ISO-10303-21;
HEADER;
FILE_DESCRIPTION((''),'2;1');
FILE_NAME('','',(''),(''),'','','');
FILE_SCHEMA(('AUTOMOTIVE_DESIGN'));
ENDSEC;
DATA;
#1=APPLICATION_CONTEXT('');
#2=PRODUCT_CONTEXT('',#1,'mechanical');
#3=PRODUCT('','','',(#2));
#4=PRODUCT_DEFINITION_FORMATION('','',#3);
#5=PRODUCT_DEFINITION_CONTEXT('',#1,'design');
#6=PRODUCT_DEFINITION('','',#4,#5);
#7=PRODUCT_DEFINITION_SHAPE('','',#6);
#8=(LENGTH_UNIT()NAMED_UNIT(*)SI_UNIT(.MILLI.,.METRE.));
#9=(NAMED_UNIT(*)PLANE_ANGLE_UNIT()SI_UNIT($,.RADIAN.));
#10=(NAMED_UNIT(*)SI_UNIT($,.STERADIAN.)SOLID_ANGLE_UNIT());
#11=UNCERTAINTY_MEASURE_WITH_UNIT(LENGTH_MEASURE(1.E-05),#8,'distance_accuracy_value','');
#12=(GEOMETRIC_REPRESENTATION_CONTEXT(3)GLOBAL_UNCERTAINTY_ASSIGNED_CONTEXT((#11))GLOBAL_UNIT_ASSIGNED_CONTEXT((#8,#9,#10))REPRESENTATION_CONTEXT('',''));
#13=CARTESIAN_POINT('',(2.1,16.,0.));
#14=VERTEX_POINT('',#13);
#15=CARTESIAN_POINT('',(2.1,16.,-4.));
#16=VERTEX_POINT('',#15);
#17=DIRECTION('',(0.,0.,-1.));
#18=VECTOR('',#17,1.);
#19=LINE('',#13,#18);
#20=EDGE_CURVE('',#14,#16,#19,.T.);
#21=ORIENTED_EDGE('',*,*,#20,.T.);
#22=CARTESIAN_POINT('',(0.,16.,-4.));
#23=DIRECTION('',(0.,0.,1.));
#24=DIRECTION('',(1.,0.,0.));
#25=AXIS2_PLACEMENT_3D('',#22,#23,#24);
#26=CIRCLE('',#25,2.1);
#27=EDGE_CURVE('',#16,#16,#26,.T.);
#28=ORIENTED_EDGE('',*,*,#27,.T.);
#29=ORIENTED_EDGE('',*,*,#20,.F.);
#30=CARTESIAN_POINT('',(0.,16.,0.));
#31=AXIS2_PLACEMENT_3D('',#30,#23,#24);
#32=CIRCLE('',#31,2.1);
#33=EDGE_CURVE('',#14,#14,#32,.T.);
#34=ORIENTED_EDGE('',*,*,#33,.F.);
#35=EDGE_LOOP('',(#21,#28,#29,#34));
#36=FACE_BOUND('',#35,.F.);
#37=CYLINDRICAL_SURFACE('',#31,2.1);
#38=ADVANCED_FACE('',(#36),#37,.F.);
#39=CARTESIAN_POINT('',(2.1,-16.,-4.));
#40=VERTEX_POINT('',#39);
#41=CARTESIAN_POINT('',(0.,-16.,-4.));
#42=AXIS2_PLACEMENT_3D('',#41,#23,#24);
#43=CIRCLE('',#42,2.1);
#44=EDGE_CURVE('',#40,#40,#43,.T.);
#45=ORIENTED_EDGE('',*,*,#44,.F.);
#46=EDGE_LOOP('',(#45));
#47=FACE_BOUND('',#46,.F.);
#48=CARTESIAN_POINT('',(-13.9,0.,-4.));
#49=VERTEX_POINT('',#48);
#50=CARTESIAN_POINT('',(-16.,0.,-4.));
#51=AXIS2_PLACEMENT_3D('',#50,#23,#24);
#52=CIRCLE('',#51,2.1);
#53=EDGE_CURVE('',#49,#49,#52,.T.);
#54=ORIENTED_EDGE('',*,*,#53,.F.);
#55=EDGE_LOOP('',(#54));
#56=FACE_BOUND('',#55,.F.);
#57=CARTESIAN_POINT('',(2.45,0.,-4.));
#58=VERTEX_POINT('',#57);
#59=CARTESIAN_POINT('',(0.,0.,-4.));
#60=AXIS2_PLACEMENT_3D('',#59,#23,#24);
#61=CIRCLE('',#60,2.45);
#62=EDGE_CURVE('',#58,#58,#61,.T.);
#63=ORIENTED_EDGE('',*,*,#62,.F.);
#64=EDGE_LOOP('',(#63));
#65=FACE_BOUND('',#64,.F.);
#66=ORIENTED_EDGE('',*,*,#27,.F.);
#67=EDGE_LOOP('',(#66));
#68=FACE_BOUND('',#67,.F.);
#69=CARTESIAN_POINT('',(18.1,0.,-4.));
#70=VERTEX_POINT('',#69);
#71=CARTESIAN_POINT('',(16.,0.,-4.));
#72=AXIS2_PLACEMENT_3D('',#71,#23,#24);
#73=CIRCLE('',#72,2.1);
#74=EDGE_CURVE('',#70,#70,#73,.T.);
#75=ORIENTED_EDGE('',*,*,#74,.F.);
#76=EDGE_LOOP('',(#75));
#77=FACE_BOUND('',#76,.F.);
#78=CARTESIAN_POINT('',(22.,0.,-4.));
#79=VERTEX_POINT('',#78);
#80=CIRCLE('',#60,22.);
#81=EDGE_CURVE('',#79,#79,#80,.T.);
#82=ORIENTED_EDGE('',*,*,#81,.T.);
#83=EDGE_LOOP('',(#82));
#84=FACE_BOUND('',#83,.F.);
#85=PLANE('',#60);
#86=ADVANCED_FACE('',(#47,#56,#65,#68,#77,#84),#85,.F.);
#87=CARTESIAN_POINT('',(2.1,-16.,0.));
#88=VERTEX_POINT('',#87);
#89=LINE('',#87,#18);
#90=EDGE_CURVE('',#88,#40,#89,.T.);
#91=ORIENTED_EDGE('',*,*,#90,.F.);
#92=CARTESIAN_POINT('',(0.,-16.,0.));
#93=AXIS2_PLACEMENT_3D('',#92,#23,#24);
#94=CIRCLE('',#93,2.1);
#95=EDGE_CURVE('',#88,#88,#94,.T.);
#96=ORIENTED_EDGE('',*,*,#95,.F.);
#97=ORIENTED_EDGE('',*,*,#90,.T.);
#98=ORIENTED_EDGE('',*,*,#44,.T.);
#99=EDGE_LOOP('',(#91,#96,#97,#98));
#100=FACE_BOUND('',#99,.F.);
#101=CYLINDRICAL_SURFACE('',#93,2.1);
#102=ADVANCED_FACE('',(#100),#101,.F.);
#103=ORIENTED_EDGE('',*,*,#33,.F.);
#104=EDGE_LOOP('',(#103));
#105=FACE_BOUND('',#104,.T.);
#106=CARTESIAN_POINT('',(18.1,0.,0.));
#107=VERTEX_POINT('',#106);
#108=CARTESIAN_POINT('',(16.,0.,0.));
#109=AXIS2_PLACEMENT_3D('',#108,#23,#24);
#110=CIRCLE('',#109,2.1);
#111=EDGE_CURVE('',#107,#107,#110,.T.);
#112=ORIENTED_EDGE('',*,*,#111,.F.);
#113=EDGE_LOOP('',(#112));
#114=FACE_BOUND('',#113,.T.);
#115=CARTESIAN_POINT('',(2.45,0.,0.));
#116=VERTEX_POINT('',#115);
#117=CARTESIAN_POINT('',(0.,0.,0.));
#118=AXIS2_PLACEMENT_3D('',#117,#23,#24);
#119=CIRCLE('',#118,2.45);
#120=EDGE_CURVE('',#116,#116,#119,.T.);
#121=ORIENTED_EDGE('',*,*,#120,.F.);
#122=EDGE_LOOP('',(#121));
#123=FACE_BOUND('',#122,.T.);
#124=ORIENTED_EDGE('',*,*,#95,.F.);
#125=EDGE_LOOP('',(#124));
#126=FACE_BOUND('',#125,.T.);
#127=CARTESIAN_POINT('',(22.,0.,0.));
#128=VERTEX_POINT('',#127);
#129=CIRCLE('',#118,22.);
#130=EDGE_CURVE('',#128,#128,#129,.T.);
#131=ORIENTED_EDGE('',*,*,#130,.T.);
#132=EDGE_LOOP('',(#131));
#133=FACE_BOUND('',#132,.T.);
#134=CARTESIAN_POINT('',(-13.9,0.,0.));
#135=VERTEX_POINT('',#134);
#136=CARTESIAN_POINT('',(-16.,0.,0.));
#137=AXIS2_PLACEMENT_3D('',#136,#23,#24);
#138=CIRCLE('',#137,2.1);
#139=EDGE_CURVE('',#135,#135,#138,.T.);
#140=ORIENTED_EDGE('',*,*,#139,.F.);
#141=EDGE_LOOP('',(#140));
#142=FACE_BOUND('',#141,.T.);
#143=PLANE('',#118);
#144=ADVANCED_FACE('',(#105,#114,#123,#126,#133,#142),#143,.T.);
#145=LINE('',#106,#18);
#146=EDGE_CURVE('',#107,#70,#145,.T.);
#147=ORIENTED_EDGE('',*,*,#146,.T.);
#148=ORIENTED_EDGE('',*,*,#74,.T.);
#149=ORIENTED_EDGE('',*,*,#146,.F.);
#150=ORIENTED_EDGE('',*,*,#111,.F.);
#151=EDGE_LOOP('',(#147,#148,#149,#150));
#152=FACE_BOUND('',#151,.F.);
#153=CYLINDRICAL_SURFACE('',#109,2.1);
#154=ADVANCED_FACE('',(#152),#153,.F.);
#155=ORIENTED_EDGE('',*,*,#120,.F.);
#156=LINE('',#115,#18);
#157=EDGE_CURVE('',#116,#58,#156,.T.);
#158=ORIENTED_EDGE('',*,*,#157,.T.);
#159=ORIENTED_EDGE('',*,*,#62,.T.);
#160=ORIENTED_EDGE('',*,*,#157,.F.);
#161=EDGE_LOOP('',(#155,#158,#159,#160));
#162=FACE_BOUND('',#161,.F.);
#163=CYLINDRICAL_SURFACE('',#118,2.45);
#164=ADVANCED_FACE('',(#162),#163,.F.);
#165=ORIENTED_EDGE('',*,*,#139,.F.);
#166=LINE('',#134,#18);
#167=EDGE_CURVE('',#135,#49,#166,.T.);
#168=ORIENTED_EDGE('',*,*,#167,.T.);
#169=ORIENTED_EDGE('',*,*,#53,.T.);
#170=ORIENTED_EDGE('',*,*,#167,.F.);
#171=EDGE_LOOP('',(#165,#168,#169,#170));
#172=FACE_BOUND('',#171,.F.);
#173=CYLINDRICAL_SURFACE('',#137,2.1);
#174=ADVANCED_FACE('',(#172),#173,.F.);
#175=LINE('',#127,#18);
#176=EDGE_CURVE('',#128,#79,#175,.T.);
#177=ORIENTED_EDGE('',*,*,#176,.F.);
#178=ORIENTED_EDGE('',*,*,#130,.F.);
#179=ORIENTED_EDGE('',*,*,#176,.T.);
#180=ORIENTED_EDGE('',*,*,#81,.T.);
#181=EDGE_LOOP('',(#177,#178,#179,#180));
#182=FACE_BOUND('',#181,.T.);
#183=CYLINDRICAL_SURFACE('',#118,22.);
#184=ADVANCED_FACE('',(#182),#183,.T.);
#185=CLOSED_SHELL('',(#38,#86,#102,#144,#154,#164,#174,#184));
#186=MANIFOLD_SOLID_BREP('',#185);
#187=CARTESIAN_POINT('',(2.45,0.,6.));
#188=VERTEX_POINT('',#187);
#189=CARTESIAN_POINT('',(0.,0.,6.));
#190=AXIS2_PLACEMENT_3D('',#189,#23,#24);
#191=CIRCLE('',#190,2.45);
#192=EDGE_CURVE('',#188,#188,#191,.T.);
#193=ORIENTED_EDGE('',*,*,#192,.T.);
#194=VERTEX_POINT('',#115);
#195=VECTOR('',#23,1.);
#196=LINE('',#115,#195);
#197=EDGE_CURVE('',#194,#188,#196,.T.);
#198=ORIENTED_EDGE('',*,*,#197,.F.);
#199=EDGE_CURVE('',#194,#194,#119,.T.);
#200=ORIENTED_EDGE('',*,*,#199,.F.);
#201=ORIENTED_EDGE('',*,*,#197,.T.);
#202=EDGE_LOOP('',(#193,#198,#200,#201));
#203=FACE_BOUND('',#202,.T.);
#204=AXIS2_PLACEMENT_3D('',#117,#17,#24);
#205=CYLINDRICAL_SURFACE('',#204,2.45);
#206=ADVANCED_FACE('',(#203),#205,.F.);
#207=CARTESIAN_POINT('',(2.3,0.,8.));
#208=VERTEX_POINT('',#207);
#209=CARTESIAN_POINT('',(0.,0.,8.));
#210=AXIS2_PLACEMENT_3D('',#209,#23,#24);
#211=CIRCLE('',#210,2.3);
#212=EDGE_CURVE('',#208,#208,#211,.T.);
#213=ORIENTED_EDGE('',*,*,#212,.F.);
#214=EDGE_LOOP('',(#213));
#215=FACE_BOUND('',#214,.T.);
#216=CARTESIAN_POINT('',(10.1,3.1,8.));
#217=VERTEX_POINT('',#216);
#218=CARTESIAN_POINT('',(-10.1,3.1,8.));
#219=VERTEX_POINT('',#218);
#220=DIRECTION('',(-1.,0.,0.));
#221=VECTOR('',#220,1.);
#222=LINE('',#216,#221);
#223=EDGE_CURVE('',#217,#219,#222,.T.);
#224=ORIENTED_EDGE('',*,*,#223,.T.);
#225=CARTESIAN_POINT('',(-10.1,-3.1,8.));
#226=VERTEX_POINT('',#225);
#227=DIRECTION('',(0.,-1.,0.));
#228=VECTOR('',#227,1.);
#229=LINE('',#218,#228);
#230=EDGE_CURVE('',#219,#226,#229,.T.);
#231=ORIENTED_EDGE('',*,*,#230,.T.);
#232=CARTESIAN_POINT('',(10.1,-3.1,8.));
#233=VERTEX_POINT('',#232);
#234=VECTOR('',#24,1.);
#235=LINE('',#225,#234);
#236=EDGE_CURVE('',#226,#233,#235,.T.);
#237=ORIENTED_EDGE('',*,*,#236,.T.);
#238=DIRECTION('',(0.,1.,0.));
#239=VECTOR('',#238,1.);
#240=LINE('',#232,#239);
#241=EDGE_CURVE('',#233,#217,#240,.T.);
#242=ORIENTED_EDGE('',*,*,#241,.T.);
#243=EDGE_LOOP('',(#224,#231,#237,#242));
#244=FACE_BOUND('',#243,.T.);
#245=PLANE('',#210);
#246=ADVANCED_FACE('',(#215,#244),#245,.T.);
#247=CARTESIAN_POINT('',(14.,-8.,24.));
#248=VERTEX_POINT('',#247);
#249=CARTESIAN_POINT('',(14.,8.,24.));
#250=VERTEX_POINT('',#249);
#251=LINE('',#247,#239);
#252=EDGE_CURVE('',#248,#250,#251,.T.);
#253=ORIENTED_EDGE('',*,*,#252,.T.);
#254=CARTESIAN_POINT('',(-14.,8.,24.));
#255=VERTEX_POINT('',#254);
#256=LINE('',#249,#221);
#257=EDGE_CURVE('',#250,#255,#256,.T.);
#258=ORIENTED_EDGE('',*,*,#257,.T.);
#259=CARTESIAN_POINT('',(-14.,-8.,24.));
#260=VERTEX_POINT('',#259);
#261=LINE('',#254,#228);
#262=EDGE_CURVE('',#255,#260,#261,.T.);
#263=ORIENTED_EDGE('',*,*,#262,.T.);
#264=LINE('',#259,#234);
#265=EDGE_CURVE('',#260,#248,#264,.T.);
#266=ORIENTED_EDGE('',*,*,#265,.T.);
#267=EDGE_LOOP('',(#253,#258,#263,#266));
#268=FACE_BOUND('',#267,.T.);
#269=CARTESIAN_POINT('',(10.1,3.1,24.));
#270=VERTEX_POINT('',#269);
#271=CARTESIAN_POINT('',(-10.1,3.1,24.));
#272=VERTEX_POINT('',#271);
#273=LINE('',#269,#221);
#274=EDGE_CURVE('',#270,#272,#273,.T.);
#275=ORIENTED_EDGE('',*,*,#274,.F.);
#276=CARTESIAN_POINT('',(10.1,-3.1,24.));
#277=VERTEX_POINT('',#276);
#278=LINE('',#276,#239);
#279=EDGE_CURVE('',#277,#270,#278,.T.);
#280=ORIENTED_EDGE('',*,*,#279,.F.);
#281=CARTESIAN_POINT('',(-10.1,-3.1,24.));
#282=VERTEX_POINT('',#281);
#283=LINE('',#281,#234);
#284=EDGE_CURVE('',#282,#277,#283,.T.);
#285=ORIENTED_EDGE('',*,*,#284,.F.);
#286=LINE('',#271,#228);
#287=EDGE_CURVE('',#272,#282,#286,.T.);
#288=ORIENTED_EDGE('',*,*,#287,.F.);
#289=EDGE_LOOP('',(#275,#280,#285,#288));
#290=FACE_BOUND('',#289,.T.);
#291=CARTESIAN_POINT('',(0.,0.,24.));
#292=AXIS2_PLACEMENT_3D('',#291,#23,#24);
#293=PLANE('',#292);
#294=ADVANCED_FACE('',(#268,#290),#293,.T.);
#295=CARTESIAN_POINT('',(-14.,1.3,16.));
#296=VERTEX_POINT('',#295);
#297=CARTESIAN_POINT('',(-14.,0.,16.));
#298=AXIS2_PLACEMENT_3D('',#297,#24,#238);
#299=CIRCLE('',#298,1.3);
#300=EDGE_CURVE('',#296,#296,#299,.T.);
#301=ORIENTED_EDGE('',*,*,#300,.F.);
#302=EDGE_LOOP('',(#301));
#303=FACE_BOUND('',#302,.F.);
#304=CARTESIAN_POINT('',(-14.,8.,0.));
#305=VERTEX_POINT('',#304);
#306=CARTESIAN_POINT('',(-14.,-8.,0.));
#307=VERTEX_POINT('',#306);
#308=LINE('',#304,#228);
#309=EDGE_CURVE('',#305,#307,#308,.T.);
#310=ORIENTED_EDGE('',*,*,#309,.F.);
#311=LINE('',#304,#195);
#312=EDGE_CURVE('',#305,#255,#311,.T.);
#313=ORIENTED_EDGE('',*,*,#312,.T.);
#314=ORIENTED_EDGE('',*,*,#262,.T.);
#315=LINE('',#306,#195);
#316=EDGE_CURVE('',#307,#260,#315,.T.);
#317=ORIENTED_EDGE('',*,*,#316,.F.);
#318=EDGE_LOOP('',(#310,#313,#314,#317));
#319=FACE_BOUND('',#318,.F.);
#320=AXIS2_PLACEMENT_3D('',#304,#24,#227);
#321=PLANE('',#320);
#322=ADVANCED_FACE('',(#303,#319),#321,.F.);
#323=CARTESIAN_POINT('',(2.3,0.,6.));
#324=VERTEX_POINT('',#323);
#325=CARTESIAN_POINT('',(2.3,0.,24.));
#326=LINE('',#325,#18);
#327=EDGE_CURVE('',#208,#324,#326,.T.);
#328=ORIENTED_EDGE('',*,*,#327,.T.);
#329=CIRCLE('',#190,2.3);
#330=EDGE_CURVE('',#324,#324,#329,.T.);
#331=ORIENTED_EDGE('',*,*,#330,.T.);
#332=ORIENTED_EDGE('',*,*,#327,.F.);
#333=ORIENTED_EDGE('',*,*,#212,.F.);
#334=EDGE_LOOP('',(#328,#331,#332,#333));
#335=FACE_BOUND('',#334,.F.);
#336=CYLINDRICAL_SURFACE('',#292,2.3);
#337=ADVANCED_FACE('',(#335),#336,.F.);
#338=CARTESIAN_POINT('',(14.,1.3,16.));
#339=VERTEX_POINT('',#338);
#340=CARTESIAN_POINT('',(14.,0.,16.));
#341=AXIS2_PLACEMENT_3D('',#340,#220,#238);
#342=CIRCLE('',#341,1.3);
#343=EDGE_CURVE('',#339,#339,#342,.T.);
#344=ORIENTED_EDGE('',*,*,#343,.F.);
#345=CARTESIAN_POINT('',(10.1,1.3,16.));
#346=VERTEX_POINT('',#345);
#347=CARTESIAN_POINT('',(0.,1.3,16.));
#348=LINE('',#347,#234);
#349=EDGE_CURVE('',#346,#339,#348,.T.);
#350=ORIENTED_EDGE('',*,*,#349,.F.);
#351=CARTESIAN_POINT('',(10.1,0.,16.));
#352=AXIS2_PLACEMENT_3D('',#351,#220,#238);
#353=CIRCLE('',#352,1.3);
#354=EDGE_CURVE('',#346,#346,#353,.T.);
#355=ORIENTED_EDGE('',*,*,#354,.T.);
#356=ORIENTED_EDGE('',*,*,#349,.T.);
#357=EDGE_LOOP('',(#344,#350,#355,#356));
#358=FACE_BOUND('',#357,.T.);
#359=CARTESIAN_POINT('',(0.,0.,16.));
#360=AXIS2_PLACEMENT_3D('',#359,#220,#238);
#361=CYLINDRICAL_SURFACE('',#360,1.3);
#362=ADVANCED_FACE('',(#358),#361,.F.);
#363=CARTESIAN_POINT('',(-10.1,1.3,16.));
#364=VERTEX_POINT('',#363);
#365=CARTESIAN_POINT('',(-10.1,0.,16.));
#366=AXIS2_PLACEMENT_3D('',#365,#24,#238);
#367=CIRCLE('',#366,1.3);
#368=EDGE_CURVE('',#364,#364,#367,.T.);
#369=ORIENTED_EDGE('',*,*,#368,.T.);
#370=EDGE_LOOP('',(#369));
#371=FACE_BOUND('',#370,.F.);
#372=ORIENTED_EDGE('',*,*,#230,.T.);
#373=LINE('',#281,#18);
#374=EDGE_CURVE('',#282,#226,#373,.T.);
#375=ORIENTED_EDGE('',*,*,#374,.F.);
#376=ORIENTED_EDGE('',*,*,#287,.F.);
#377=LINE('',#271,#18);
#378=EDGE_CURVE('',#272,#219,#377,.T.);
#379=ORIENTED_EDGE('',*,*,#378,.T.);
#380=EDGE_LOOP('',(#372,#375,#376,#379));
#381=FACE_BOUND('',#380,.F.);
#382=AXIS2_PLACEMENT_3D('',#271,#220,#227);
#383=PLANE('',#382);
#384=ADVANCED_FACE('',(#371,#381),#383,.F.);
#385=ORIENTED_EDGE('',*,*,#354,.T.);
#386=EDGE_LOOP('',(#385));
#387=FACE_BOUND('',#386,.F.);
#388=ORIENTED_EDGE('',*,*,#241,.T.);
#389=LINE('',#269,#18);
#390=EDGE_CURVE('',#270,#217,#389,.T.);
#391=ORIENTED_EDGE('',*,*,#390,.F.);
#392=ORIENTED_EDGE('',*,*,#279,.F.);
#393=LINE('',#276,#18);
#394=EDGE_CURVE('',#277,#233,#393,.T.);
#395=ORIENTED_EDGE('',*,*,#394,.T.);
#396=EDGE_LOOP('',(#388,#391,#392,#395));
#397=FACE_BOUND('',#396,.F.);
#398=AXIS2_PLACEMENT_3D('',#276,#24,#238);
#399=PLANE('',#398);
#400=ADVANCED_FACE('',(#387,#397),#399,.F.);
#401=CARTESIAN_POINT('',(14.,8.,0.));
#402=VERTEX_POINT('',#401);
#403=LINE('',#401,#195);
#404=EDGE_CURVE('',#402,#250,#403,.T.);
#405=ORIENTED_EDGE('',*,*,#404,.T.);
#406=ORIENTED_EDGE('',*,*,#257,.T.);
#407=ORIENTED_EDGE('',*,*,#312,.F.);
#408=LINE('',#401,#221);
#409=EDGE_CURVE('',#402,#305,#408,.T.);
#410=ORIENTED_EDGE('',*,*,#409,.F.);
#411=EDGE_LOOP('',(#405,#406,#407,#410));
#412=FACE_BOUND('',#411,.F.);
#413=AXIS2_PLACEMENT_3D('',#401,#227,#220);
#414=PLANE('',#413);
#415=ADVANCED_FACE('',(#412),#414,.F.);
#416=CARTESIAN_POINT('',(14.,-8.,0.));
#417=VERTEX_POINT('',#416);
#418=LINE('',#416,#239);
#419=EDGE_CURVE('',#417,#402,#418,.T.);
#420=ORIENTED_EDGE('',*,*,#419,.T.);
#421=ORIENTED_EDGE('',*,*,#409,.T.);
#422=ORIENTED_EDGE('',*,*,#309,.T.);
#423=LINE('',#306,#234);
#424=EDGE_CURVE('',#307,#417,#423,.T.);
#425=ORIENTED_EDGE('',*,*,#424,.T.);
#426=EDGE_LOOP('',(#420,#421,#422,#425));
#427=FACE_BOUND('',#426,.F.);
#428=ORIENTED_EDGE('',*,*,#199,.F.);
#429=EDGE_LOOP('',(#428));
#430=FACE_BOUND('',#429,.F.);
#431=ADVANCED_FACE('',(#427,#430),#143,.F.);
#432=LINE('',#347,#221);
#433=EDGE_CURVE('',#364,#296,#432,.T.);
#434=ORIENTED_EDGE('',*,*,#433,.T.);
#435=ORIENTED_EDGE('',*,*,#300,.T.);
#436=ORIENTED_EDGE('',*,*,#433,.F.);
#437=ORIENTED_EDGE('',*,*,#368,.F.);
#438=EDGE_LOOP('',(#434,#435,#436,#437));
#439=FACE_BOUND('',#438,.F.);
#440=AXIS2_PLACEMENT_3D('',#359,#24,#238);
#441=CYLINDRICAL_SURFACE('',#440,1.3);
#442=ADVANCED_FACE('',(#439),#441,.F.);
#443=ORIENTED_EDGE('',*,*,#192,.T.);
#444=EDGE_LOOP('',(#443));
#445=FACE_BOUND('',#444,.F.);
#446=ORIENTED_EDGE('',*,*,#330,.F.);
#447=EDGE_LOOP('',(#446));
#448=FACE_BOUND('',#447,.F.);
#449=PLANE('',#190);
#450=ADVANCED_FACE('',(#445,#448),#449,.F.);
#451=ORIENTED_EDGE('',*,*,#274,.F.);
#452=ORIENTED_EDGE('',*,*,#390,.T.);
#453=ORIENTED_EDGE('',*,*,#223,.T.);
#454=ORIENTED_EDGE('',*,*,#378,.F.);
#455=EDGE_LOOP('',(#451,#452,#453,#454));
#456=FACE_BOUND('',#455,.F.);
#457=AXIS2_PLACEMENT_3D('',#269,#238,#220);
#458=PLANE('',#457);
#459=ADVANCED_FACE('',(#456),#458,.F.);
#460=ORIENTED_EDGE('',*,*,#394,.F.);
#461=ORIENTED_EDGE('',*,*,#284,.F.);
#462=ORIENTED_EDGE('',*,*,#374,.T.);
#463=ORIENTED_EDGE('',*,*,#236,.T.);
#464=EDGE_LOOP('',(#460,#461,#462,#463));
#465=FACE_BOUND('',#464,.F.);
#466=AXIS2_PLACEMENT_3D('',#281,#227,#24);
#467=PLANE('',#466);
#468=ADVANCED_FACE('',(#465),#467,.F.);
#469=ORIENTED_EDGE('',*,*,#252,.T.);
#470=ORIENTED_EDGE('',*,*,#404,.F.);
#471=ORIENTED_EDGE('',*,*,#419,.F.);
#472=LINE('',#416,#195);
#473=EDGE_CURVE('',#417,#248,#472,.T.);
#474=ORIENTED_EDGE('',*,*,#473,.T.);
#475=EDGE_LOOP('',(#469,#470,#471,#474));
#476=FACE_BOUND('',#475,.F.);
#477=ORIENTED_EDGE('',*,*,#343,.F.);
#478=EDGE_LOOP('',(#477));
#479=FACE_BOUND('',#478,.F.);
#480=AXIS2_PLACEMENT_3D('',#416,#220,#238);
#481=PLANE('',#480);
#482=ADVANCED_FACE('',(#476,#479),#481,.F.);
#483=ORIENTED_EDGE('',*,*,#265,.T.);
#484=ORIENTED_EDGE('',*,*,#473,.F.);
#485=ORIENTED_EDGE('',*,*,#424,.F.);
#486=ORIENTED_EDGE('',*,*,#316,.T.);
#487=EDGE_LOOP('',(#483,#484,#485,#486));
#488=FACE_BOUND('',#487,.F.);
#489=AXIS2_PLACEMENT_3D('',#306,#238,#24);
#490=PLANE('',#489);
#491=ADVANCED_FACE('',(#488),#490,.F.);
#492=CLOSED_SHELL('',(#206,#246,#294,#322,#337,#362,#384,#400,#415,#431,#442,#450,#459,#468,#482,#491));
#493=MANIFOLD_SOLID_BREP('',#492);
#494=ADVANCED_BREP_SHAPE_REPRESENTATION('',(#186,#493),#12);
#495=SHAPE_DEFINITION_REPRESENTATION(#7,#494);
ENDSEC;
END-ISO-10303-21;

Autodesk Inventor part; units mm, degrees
ref_plane "YZ Plane" through (0, 0, 0) normal (1, 0, 0) x (0, 1, 0)
ref_plane "XZ Plane" through (0, 0, 0) normal (0, 1, 0) x (-1, 0, 0)
sketch "Skizze1" plane through (0, 0, 0) normal (0, 0, 1) x (1, 0, 0)
  line L0 (-14, -8) -> (14, -8)
  line L1 (14, -8) -> (14, 8)
  line L2 (14, 8) -> (-14, 8)
  line L3 (-14, 8) -> (-14, -8)
extrude "Extrusion1" add sketch "Skizze1" along normal blind 24
sketch "Skizze2" plane through (0, 0, 0) normal (0, 0, 1) x (1, 0, 0)
  circle A0 centre (0, 0) radius 22
  circle A1 centre (0, 0) radius 2.45
  circle A2 centre (16, 0) radius 2.1
  circle A3 centre (0, 16) radius 2.1
  circle A4 centre (-16, 0) radius 2.1
  circle A5 centre (0, -16) radius 2.1
extrude "Extrusion2" add sketch "Skizze2" against normal blind 4 separate body
sketch "Skizze3" plane through (0, 0, 0) normal (0, 0, 1) x (1, 0, 0)
  circle A0 centre (0, 0) radius 2.45
extrude "Extrusion3" cut sketch "Skizze3" along normal blind 6 bodies 1
sketch "Skizze4" plane through (0, 0, 0) normal (0, 0, 1) x (1, 0, 0)
  circle A0 centre (0, 0) radius 1
extrude "Extrusion4" cut sketch "Skizze4" along normal blind 24.2 bodies 1
ref_plane "Arbeitsebene1" through (0, 0, 24) normal (0, 0, 1) x (1, 0, 0)
sketch "Skizze5" plane through (0, 0, 24) normal (0, 0, 1) x (1, 0, 0)
  line L0 (-10.1, -3.1) -> (10.1, -3.1)
  line L1 (10.1, -3.1) -> (10.1, 3.1)
  line L2 (10.1, 3.1) -> (-10.1, 3.1)
  line L3 (-10.1, 3.1) -> (-10.1, -3.1)
extrude "Extrusion5" cut sketch "Skizze5" against normal blind 16 bodies 1
sketch "Skizze6" plane through (0, 0, 24) normal (0, 0, 1) x (1, 0, 0)
  circle A0 centre (0, 0) radius 2.3
extrude "Extrusion6" cut sketch "Skizze6" against normal blind 18 bodies 1
sketch "Skizze7" plane through (0, 0, 0) normal (1, 0, 0) x (0, 1, 0)
  circle A0 centre (0, 16) radius 1.3
extrude "Extrusion7" cut sketch "Skizze7" along normal mid plane 30 bodies 1
properties part number "Dreh_Klemme"
